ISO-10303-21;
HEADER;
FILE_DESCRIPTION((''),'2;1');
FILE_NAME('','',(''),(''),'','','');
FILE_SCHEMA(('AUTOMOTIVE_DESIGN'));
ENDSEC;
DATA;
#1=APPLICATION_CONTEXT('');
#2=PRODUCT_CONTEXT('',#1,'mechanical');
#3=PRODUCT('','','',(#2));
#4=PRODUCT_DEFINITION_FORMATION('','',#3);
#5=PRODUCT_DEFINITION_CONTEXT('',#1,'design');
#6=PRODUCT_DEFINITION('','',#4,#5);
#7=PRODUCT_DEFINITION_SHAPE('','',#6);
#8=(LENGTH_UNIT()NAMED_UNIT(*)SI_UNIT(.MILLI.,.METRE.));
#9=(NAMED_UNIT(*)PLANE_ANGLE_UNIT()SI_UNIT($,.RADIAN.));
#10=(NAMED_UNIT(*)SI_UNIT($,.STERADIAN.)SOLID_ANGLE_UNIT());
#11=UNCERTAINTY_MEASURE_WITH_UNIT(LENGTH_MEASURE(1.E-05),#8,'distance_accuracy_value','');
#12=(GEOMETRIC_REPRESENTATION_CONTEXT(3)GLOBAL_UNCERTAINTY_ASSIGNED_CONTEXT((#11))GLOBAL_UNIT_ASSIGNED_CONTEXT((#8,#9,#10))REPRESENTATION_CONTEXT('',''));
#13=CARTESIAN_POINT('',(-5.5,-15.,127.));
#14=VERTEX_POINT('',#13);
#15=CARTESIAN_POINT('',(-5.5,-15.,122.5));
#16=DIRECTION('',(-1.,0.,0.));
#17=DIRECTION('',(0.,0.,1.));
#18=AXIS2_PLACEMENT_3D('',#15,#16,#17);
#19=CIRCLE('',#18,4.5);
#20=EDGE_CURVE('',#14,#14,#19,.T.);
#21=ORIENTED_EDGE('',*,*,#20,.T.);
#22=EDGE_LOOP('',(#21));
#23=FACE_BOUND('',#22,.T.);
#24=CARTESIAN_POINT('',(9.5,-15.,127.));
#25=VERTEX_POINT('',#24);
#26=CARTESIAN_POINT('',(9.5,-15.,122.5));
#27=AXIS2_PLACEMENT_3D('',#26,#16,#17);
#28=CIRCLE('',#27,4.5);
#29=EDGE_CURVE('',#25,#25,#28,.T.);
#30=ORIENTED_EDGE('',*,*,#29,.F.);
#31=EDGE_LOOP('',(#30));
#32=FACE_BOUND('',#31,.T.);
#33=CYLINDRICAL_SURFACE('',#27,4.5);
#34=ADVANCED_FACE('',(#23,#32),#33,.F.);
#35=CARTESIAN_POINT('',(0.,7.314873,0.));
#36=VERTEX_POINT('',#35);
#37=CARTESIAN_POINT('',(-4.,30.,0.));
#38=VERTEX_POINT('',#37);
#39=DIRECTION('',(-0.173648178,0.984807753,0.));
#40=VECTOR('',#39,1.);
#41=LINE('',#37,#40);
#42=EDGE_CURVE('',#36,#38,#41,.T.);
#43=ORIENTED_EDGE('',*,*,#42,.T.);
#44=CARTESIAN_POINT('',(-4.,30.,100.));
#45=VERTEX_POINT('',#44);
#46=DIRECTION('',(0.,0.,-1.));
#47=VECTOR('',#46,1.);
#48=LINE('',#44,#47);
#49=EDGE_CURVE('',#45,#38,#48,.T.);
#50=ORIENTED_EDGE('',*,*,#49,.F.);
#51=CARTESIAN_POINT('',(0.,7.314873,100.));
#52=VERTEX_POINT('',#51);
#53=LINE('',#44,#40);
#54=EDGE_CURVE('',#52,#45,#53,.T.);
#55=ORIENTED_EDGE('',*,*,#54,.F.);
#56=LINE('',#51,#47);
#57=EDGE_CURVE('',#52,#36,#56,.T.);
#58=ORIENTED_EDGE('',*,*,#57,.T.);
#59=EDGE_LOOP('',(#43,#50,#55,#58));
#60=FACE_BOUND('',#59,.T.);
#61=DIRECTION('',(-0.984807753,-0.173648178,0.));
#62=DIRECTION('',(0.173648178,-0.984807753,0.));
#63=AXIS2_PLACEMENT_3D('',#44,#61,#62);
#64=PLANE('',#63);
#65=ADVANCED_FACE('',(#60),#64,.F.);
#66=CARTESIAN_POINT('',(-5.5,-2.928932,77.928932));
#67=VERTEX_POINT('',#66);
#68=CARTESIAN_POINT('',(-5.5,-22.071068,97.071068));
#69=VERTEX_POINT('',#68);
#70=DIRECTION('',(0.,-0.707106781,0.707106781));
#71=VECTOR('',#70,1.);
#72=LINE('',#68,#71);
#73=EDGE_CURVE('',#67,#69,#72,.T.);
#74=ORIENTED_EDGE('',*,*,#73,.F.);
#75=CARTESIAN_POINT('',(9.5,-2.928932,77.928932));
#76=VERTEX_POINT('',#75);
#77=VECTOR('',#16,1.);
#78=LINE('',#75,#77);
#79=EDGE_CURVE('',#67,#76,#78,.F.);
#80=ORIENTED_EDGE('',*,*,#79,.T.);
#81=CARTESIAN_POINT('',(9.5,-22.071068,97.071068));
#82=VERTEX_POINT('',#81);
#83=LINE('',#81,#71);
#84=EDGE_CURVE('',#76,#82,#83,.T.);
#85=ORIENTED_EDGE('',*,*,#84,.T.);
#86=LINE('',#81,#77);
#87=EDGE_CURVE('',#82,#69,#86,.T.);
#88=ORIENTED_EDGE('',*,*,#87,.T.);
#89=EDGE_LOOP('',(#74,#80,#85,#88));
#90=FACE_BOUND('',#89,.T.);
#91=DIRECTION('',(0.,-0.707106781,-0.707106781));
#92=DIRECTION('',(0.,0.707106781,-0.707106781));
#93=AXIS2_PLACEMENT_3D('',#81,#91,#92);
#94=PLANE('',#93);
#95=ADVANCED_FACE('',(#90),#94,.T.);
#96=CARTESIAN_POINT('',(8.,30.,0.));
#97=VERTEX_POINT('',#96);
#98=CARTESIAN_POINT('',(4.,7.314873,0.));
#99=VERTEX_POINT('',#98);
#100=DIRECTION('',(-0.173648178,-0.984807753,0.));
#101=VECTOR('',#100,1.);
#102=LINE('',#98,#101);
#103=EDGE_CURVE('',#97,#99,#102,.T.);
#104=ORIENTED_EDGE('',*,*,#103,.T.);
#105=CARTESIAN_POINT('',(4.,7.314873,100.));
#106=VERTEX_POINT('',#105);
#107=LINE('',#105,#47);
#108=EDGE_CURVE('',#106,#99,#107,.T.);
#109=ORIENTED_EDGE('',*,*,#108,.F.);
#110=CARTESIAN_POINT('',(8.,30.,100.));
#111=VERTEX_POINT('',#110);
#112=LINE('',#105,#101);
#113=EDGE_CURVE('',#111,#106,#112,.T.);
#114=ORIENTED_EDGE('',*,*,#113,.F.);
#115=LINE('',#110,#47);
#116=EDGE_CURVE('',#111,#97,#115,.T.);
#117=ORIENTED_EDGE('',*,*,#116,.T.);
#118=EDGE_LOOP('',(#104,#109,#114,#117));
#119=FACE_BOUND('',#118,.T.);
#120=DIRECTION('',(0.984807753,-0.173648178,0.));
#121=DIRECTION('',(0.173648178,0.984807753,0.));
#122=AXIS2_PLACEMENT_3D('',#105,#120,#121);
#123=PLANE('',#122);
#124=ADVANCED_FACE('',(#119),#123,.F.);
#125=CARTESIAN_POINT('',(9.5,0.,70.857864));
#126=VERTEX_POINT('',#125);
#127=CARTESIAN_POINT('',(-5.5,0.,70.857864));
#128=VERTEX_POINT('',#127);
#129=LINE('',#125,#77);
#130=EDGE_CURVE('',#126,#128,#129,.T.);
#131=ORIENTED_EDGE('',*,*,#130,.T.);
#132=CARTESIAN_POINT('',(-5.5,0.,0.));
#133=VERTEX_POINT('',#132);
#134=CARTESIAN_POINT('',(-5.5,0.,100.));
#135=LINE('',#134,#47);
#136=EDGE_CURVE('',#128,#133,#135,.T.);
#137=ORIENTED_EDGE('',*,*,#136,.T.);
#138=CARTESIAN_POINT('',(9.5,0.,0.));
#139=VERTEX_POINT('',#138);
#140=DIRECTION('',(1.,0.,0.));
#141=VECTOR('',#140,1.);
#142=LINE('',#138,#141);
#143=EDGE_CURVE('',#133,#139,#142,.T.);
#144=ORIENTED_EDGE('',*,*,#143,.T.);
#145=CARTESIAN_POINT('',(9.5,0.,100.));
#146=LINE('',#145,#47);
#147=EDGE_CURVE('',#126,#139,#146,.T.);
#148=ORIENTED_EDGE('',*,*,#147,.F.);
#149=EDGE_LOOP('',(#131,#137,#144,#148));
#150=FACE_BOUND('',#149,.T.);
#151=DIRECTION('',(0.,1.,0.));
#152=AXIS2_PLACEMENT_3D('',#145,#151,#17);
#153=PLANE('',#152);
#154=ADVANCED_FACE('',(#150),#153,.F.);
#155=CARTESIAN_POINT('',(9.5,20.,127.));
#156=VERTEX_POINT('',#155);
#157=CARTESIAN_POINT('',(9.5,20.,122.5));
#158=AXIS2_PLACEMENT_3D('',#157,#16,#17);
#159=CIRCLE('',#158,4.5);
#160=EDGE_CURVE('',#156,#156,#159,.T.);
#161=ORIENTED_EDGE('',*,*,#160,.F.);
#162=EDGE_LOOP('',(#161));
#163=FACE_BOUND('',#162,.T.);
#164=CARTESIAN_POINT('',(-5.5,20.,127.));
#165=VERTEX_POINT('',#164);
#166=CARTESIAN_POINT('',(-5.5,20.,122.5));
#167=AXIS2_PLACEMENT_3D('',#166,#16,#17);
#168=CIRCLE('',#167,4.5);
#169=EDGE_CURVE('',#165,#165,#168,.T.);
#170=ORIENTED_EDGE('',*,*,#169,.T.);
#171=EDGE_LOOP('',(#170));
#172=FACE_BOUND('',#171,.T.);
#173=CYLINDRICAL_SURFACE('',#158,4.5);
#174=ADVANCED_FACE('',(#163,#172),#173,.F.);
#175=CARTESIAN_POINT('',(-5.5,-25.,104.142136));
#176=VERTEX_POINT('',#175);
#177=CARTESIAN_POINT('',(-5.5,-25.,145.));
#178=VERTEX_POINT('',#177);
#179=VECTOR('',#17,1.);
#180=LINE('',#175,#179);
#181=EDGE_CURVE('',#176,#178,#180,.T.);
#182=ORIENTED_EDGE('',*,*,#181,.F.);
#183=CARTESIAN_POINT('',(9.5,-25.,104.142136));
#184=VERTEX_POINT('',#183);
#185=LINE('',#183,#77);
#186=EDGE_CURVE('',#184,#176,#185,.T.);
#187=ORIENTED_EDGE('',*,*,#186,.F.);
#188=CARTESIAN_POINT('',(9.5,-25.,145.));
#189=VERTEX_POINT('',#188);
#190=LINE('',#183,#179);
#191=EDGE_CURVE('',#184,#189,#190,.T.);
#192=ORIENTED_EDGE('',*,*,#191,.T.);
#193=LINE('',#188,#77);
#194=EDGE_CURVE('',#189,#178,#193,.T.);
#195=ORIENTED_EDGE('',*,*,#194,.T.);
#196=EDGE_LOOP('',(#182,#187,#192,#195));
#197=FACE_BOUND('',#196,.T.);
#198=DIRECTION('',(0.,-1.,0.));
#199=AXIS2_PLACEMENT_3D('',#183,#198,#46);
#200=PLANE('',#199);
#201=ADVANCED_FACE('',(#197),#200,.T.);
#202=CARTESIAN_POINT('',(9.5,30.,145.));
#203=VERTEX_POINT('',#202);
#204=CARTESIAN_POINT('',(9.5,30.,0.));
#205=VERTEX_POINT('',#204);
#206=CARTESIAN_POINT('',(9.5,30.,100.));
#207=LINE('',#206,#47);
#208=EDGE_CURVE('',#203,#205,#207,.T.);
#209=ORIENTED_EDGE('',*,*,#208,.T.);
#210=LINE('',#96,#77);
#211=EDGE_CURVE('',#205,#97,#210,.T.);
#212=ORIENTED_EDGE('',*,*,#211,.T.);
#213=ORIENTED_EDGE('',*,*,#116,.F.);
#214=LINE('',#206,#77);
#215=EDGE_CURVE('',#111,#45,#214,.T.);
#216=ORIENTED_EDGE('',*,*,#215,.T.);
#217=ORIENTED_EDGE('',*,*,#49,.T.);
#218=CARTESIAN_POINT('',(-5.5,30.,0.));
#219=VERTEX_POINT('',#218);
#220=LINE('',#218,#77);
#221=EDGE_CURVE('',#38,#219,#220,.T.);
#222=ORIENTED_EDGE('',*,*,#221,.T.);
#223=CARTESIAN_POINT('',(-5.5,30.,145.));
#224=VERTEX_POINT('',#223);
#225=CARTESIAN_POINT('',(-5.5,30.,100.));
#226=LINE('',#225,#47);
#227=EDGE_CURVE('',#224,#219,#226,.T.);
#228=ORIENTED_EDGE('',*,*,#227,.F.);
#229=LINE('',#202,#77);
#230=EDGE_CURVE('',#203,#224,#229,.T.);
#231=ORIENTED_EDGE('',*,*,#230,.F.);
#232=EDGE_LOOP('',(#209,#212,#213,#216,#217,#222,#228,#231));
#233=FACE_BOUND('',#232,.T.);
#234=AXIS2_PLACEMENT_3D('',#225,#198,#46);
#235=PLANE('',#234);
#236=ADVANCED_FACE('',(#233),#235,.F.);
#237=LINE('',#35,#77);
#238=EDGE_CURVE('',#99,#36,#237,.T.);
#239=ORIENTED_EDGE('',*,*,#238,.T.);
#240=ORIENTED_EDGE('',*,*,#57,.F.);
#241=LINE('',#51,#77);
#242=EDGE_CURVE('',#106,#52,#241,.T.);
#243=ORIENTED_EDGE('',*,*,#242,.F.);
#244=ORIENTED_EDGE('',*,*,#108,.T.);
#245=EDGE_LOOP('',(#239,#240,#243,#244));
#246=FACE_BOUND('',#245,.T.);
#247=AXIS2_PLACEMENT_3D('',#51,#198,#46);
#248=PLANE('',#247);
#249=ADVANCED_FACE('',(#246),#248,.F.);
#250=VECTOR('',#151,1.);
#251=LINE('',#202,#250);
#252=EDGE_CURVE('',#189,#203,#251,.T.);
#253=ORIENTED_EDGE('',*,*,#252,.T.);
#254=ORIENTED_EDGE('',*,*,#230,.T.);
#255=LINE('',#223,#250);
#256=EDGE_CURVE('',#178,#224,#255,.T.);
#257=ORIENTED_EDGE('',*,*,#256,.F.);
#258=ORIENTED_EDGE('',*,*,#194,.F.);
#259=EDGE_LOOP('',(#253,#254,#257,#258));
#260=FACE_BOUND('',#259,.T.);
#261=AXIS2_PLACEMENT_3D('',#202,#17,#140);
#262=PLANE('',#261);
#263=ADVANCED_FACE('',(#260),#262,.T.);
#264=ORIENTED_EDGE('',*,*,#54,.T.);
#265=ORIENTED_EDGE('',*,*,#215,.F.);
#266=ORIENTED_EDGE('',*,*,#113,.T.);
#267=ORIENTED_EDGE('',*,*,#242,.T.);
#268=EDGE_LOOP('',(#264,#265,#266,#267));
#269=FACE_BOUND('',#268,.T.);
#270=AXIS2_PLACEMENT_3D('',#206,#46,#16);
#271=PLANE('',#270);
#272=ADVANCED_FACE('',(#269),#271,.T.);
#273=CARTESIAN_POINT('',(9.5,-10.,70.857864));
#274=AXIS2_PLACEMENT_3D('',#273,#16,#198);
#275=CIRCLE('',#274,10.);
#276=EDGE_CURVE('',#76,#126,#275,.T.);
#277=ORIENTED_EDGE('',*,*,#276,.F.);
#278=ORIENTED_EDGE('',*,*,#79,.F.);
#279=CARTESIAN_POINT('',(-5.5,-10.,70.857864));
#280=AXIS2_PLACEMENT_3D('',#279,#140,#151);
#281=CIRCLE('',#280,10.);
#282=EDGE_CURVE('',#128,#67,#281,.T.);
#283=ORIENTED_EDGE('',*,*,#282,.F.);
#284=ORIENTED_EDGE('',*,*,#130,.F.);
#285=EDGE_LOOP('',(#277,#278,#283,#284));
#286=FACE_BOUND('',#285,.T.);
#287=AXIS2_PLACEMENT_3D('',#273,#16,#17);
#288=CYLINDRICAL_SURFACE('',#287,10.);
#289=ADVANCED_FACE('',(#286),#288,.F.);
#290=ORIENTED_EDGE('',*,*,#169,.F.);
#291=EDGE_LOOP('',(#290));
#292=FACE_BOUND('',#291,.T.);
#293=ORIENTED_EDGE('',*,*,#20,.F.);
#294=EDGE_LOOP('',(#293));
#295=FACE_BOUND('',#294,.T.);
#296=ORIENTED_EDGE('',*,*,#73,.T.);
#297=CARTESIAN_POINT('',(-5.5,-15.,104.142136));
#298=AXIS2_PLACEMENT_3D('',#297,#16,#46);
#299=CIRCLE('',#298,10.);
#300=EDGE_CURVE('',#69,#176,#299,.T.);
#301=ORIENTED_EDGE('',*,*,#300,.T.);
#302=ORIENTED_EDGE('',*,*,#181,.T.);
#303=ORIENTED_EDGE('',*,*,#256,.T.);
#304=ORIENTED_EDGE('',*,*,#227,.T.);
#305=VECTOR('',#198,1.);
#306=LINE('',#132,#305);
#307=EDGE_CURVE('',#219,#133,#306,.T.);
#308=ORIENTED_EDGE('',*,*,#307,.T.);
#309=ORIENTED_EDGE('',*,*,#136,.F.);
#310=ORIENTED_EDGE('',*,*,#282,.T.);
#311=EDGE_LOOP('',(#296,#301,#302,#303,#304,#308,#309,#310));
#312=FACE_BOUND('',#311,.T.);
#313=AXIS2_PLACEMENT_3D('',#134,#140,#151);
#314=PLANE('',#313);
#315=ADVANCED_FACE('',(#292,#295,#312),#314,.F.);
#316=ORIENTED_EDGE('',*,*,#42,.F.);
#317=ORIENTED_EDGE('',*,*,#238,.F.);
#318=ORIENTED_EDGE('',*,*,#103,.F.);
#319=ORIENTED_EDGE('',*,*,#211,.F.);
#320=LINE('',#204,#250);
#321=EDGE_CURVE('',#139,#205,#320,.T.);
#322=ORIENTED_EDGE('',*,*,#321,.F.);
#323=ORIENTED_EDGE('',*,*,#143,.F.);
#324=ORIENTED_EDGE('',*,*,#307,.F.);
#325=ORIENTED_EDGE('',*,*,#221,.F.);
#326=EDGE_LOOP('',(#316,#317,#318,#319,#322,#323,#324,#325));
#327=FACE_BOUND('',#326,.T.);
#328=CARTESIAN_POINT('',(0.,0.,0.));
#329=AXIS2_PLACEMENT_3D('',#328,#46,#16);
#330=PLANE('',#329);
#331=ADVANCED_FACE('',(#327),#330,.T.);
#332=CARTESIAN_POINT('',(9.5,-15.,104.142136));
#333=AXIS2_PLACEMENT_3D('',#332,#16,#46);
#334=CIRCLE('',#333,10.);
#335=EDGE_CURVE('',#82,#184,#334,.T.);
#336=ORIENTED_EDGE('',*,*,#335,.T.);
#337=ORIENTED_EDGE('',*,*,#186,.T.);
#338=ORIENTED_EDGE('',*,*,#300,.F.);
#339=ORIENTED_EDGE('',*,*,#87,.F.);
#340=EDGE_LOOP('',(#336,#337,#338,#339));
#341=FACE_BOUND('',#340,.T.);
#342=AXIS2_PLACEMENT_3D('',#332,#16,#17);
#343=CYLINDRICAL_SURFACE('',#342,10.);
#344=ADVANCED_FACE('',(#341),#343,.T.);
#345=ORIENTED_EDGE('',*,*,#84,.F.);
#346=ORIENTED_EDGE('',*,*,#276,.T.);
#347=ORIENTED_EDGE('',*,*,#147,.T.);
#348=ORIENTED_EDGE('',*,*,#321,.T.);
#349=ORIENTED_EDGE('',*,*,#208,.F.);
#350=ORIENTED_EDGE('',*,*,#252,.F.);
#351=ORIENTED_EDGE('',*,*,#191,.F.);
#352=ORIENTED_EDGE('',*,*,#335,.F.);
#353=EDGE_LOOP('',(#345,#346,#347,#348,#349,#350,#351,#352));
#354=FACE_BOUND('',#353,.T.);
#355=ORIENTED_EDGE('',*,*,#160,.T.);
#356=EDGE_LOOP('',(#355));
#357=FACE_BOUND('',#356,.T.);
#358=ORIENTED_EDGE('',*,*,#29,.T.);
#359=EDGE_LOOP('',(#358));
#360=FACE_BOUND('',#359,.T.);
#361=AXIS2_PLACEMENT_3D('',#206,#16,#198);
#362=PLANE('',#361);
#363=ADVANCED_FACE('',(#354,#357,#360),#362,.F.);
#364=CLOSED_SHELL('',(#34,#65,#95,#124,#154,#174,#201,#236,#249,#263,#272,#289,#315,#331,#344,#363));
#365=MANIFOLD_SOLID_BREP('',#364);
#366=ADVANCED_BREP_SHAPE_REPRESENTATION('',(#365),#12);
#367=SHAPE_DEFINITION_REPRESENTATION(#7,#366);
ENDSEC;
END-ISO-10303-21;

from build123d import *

# Parameters (mm, degrees)
AUFSATZ_LINEAR_AUSTRAGEN1_DEPTH = 100
SKIZZE4_R                       = 4.5
AUFSATZ_LINEAR_AUSTRAGEN2_DEPTH = 15
VERRUNDUNG1_R                   = 10


with BuildPart() as part:
    # Skizze1 → Aufsatz-Linear austragen1 (new body)
    with BuildSketch(Plane.XY):
        Polygon((-5.5, 0), (-5.5, 30), (-4, 30), (0, 7.314872722), (4, 7.314872722), (8, 30), (9.5, 30), (9.5, 0), align=None)
    extrude(amount=AUFSATZ_LINEAR_AUSTRAGEN1_DEPTH)

    # Skizze4 → Aufsatz-Linear austragen2 (add)
    with BuildSketch(Plane.ZY.offset(5.5)):
        with BuildLine():
            Line((100, 30), (145, 30))
            Line((145, 30), (145, -25))
            Line((145, -25), (104.142135624, -25))
            ThreePointArc((104.142135624, -25), (100.3153013, -24.238795325), (97.071067812, -22.071067812))
            Line((97.071067812, -22.071067812), (75, 0))
            Line((75, 0), (100, 0))
            Line((100, 0), (100, 30))
        make_face()
        with Locations((122.5, 20)):
            Circle(SKIZZE4_R, mode=Mode.SUBTRACT)
        with Locations((122.5, -15)):
            Circle(SKIZZE4_R, mode=Mode.SUBTRACT)
    extrude(amount=-AUFSATZ_LINEAR_AUSTRAGEN2_DEPTH)

    # Verrundung1
    verrundung1_edges = [part.edges().sort_by_distance(p)[0] for p in [
        (2, 0, 75),
    ]]
    fillet(verrundung1_edges, radius=VERRUNDUNG1_R)


solid = part.part
